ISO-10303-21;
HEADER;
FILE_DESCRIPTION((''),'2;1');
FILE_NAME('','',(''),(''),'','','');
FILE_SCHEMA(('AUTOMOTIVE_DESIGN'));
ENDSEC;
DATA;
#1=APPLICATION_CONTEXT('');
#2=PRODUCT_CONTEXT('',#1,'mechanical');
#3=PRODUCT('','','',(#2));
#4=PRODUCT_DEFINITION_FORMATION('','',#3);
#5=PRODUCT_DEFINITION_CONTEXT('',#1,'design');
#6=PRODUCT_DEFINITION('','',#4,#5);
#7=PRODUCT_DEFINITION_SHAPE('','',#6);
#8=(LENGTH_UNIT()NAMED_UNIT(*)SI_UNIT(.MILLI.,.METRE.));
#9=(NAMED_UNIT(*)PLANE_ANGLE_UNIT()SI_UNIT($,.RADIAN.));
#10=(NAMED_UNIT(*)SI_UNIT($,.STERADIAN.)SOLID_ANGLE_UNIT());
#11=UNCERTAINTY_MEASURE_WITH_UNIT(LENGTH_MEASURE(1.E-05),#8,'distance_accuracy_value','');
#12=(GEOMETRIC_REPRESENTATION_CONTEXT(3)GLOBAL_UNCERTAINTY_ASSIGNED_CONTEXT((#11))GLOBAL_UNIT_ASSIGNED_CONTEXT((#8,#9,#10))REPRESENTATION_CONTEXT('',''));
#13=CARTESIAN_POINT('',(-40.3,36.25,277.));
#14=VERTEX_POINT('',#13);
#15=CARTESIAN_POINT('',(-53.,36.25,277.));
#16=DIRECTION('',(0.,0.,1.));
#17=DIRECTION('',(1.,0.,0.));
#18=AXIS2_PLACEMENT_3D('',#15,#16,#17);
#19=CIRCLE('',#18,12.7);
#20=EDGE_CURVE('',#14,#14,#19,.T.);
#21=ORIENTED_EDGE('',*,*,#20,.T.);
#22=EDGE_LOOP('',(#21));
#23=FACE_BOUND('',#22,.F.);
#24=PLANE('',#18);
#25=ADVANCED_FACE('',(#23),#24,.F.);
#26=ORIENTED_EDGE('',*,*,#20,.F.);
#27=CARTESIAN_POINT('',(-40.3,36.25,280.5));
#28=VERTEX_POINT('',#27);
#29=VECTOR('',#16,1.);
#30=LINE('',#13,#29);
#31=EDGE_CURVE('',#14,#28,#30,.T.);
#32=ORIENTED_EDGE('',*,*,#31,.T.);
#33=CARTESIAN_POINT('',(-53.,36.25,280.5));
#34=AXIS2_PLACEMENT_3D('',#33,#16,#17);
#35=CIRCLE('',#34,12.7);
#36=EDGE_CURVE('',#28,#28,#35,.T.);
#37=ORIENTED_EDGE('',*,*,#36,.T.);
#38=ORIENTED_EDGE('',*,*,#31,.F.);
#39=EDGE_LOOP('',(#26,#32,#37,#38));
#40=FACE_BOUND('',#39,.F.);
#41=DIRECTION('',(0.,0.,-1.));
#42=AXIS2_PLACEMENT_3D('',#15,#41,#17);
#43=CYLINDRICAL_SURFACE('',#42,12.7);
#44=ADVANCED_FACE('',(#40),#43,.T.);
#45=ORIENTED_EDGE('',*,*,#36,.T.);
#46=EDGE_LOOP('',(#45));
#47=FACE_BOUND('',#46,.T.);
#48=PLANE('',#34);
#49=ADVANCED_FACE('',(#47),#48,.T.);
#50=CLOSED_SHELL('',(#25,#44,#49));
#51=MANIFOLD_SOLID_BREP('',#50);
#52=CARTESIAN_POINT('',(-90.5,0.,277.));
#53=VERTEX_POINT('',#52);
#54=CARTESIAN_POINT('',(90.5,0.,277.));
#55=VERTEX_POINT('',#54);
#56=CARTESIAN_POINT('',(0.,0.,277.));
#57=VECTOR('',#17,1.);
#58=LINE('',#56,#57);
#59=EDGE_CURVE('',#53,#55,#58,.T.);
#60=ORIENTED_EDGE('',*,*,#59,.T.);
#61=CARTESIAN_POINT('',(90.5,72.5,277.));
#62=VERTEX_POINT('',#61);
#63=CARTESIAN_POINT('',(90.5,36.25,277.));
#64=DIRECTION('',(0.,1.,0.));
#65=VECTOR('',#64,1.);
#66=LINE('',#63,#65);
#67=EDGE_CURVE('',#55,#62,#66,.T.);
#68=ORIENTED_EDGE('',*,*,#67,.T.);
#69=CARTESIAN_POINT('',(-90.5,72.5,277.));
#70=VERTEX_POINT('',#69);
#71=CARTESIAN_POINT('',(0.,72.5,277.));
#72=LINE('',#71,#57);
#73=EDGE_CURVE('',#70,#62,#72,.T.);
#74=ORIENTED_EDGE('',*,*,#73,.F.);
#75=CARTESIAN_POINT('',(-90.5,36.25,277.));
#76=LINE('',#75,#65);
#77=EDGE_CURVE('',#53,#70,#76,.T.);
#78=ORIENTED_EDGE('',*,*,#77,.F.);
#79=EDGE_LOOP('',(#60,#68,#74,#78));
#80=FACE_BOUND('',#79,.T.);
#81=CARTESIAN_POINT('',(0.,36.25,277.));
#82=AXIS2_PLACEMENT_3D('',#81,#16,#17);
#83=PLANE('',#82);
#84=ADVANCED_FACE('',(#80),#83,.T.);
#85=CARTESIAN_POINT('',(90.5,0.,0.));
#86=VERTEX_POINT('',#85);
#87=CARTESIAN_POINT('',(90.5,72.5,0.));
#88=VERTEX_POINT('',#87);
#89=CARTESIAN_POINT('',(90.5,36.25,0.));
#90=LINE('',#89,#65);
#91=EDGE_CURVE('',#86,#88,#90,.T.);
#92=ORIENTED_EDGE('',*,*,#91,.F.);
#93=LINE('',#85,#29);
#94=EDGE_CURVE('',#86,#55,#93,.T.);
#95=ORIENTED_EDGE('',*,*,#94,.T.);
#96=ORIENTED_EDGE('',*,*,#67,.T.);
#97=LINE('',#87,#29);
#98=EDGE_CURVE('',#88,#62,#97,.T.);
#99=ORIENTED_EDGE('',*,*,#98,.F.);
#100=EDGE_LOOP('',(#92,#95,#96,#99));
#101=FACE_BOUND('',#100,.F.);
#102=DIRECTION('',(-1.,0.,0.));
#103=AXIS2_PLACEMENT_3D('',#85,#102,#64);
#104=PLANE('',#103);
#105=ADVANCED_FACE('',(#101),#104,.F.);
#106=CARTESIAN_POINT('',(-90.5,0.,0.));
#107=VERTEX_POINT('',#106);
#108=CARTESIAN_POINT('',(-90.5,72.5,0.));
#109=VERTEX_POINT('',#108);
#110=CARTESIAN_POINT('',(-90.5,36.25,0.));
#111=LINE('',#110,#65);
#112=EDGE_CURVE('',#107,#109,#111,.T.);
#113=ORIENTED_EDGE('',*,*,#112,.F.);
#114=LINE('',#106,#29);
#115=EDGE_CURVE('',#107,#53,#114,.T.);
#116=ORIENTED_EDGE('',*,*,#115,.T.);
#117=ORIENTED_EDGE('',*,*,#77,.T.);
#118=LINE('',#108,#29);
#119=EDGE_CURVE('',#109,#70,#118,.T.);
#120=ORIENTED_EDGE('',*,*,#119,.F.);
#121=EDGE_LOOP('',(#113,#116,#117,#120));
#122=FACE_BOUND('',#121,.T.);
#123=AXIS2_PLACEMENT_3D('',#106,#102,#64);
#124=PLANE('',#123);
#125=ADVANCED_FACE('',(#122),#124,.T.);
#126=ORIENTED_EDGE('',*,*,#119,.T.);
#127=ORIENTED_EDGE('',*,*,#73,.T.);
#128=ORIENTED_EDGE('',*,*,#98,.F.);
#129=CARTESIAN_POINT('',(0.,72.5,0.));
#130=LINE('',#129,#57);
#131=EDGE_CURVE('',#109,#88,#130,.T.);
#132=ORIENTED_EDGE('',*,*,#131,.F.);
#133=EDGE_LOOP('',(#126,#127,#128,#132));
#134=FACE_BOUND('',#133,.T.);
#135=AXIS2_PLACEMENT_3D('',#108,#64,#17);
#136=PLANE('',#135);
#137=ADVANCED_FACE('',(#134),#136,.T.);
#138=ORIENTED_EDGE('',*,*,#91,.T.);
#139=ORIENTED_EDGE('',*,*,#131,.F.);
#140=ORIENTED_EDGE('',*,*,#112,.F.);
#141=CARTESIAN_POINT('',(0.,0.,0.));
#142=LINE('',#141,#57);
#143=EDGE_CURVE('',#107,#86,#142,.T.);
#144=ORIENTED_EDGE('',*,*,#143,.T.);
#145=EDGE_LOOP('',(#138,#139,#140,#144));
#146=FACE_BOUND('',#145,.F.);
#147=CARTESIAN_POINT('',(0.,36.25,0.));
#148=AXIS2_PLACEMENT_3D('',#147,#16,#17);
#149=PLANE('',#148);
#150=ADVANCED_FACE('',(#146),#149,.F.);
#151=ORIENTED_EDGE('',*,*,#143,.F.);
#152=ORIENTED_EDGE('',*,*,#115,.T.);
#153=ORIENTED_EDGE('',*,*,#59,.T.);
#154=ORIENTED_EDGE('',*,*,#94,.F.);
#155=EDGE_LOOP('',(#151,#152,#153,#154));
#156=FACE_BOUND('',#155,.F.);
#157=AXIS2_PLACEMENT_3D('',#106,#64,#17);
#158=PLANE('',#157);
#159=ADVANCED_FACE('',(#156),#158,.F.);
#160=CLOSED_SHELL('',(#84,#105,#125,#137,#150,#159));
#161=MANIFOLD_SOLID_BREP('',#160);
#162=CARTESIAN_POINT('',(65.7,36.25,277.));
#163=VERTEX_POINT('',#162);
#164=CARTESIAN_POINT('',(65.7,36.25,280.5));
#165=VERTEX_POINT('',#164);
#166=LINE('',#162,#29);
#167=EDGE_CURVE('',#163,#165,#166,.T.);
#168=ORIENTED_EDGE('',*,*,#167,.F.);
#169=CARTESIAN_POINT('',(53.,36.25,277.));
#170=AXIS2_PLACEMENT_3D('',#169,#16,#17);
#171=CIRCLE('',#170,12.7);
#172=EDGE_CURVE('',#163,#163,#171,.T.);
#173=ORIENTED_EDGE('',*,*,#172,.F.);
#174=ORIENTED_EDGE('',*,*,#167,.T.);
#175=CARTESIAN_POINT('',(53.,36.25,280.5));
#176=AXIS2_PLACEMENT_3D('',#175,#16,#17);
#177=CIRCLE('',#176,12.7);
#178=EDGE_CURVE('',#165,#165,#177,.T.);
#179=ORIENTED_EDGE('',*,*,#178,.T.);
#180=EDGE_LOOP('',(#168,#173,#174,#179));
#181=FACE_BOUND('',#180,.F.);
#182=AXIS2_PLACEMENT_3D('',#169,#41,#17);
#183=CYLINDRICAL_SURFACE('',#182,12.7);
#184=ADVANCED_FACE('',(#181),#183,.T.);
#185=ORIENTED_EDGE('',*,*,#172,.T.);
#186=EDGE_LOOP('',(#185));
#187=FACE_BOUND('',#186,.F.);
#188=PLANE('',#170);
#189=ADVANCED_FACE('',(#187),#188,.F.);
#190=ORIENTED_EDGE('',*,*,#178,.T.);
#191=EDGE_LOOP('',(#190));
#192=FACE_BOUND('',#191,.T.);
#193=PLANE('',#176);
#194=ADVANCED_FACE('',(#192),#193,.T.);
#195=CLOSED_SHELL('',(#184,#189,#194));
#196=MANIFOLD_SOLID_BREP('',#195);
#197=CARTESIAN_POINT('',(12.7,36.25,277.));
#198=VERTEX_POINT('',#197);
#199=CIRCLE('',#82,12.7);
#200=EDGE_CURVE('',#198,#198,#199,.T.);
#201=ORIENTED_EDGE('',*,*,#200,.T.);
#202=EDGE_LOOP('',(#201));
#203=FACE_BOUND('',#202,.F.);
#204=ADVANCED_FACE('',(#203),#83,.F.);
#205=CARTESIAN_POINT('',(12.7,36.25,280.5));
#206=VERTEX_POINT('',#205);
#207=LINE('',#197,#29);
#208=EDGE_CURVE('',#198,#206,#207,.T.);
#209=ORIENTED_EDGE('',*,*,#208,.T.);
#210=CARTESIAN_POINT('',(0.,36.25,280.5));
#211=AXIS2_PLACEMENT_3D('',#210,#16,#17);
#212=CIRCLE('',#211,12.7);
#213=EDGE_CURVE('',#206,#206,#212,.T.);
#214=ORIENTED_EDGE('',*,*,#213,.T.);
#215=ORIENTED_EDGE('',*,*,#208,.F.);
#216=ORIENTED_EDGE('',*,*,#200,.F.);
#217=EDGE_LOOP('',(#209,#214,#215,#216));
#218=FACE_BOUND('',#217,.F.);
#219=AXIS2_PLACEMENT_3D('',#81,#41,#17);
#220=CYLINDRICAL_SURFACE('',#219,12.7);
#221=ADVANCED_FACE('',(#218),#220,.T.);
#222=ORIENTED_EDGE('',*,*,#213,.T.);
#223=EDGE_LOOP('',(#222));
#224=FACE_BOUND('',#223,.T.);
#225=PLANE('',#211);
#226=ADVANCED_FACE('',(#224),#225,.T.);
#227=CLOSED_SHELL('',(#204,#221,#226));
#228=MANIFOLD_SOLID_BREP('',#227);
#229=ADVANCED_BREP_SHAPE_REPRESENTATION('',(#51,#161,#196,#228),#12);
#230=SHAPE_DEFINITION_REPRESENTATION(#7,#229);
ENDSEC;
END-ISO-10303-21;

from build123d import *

# Parameters (mm, degrees)
F0_W     = 181
F0_H     = 72.5
F1_DEPTH = 277
F2_R     = 12.7
F3_DEPTH = 3.5


with BuildPart() as f1:
    # F0 (on Top) → F1 (new body)
    with BuildSketch(Plane.XY):
        with Locations((0, 36.25)):
            Rectangle(F0_W, F0_H)
    extrude(amount=F1_DEPTH)


with BuildPart() as f3:
    # F2 (on face) → F3 (new body)
    with BuildSketch(Plane.XY.offset(277)):
        with Locations((-53, 36.25)):
            Circle(F2_R)
        with Locations((53, 36.25)):
            Circle(F2_R)
        with Locations((0, 36.25)):
            Circle(F2_R)
    extrude(amount=F3_DEPTH)


solid = Compound([f1.part, f3.part])
